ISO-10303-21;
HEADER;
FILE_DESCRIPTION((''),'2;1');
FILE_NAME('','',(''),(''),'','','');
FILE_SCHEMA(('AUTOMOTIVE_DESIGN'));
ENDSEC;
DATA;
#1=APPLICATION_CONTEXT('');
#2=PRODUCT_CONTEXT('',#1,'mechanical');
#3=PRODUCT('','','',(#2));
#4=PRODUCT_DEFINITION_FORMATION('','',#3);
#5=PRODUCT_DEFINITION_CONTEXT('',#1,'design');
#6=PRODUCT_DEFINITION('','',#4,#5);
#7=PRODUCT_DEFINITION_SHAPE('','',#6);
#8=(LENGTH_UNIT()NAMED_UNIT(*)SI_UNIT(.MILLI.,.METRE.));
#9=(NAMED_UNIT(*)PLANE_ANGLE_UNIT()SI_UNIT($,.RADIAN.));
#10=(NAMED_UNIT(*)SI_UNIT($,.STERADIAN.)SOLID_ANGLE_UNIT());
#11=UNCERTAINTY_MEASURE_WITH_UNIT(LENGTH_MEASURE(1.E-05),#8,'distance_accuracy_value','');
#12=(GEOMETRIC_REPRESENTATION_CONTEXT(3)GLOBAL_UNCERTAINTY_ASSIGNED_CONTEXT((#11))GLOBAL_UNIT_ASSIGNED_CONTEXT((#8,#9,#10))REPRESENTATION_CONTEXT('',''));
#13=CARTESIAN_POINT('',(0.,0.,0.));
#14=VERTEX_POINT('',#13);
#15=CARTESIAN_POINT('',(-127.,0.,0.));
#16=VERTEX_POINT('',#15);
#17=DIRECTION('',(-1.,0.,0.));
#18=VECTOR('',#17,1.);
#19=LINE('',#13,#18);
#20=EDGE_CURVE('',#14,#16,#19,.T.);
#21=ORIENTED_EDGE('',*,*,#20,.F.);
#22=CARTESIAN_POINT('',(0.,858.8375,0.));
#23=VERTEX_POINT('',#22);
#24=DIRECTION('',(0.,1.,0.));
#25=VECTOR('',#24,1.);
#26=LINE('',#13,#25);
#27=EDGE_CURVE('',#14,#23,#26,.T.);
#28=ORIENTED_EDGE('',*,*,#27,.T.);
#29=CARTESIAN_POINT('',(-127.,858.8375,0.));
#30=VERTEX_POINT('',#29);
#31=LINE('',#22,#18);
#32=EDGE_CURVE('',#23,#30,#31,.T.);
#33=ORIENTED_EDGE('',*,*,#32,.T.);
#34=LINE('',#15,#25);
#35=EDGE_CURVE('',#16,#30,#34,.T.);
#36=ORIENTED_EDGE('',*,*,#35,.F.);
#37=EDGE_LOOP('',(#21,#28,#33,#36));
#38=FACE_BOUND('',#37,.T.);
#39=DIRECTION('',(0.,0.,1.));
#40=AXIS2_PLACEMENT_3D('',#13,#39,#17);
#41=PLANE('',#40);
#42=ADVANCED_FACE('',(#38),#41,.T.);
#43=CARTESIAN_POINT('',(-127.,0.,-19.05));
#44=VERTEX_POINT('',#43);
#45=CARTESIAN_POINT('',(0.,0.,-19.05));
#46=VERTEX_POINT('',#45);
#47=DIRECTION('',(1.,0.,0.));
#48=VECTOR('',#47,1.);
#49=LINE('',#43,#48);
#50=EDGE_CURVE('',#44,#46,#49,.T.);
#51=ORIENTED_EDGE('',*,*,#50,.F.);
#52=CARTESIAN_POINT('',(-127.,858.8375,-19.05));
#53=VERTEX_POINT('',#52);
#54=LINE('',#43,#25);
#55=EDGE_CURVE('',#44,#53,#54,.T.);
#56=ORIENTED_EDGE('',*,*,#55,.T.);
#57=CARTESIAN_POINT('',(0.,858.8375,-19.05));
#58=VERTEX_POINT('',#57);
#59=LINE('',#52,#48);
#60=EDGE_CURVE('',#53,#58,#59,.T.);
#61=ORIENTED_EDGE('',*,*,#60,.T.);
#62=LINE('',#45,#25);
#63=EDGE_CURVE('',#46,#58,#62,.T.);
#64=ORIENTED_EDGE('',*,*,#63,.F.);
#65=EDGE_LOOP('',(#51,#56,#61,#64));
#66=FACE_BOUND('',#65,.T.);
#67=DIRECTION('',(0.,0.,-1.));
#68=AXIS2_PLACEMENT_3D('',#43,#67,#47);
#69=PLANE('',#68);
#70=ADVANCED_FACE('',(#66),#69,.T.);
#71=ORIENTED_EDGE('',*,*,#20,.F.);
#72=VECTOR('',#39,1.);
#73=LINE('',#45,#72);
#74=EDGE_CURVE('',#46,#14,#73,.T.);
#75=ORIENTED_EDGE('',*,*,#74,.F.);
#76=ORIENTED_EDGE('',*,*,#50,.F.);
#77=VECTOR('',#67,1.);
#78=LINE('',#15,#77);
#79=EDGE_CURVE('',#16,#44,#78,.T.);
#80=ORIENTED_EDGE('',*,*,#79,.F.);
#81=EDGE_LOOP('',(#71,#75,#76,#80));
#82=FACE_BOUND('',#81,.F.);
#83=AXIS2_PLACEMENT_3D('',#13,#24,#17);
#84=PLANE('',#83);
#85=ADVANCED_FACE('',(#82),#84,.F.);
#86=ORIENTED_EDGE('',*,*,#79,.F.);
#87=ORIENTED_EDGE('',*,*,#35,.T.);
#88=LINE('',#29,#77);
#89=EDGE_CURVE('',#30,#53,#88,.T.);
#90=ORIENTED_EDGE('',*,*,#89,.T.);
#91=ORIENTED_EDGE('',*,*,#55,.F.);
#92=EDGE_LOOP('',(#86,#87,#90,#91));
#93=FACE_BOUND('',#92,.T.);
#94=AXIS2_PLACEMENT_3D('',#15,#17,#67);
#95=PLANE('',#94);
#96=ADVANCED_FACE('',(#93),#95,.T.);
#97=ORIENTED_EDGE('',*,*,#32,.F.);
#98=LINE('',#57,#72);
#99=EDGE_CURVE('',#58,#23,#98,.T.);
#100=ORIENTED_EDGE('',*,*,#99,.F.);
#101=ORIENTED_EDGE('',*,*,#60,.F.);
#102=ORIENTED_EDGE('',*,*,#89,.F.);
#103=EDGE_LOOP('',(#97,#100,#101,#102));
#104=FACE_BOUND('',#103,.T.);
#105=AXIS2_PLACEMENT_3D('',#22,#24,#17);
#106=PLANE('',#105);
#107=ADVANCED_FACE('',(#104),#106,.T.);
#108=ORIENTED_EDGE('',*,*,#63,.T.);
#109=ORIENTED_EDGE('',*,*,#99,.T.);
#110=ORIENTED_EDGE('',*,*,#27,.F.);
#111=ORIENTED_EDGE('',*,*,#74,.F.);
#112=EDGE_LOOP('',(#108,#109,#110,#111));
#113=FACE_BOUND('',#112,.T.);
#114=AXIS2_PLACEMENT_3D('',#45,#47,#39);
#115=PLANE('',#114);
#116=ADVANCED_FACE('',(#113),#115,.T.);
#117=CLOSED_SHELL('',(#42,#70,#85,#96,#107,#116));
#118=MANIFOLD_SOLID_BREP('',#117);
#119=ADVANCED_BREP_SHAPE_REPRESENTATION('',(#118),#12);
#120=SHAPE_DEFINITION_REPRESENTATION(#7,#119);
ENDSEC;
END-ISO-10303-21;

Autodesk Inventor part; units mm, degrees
ref_plane "YZ Plane" through (0, 0, 0) normal (1, 0, 0) x (0, 1, 0)
ref_plane "XZ Plane" through (0, 0, 0) normal (0, 1, 0) x (-1, 0, 0)
ref_plane "XY Plane" through (0, 0, 0) normal (0, 0, 1) x (1, 0, 0)
sketch "Sketch1" plane through (0, 0, 0) normal (0, 1, 0) x (-1, 0, 0)
  line L0 (0, 0) -> (127, 0)
  line L1 (127, 0) -> (127, -19.05)
  line L2 (127, -19.05) -> (0, -19.05)
  line L3 (0, -19.05) -> (0, 0)
  dimension "d0" = 127
  dimension "d1" = 19.05
extrude "Extrusion1" add sketch "Sketch1" along normal blind 858.8375
